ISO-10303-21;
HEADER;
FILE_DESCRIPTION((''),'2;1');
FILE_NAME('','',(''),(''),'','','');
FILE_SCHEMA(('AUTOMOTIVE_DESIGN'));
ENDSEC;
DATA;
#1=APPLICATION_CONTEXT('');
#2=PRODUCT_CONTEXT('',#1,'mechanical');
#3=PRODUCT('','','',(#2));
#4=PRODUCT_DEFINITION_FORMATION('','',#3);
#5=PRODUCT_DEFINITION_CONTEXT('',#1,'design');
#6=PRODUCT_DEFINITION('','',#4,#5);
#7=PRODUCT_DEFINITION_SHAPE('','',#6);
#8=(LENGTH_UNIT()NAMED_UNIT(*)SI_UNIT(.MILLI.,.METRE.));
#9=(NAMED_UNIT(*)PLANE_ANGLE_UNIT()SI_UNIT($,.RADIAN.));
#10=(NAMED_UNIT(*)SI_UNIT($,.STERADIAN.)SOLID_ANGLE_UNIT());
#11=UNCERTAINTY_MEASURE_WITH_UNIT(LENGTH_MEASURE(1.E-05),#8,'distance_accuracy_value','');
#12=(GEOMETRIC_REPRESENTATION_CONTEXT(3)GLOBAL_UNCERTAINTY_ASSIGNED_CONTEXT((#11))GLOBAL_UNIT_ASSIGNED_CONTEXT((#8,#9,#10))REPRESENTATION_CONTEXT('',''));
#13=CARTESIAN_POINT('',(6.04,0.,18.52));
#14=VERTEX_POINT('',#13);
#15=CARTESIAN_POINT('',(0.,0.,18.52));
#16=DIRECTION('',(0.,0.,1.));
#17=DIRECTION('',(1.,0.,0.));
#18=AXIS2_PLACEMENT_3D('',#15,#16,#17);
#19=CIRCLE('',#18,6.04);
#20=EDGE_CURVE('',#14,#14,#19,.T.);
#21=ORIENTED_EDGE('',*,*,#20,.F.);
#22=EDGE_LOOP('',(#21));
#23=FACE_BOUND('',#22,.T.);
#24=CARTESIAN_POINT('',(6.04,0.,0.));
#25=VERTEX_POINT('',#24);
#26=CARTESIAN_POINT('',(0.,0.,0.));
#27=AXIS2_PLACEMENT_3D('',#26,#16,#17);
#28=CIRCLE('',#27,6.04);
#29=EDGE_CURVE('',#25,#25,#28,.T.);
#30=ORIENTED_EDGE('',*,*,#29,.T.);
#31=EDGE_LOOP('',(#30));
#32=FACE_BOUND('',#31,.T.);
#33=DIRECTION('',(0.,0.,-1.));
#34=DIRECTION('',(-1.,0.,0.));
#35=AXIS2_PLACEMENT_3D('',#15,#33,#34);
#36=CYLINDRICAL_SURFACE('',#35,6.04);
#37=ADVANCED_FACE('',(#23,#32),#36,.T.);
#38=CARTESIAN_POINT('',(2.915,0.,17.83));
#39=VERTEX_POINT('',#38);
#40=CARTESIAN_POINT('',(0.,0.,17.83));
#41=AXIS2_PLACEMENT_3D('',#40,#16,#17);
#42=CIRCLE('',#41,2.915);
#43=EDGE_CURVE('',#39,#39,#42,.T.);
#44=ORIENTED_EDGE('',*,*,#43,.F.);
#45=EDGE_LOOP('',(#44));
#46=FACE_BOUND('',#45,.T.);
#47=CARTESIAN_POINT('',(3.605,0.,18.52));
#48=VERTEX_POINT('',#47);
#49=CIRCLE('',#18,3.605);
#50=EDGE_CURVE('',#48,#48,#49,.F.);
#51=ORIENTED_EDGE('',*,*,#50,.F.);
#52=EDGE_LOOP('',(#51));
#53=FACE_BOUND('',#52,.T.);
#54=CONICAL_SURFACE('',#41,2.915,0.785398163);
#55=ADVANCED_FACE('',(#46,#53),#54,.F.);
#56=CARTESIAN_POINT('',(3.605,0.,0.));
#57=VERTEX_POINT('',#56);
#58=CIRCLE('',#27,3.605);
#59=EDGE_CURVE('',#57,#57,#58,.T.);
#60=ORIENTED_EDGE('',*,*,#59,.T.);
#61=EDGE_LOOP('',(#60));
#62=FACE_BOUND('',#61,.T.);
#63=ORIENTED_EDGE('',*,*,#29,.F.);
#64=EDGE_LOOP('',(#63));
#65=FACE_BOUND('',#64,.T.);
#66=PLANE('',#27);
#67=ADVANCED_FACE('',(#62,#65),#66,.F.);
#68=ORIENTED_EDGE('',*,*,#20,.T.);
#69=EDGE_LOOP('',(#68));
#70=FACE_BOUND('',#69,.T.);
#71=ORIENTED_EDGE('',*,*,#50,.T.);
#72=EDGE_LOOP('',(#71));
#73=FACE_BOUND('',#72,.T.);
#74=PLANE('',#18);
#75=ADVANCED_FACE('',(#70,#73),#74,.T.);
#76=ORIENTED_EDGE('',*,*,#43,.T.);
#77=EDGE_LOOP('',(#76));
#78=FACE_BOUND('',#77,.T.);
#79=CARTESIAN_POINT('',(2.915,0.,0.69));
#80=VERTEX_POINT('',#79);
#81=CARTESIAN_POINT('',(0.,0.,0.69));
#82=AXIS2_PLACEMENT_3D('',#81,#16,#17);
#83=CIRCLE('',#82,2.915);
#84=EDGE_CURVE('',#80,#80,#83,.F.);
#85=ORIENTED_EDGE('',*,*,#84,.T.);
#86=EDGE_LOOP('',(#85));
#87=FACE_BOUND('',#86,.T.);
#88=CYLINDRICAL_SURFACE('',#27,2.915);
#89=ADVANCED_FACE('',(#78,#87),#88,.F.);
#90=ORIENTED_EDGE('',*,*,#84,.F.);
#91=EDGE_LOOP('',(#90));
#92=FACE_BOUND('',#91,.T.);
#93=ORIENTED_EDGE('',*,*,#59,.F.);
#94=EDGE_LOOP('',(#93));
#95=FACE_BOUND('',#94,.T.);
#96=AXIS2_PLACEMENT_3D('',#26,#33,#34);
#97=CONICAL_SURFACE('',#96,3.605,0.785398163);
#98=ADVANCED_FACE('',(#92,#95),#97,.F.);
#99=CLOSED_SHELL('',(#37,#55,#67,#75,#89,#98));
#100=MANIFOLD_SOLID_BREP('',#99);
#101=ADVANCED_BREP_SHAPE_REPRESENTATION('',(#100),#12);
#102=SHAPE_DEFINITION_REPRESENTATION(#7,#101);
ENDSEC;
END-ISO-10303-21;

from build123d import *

# Parameters (mm, degrees)
SKETCH1_R           = 6.04
BOSS_EXTRUDE1_DEPTH = 18.52
SKETCH2_R           = 2.405
CUT_EXTRUDE1_DEPTH  = 18.52
SKETCH3_R           = 2.915
CUT_EXTRUDE2_DEPTH  = 18.52
CHAMFER1_SIZE       = 0.69
CHAMFER2_SIZE       = 0.69


with BuildPart() as part:
    # Sketch1 → Boss-Extrude1 (new body)
    with BuildSketch(Plane.XY):
        Circle(SKETCH1_R)
    extrude(amount=BOSS_EXTRUDE1_DEPTH)

    # Sketch2 → Cut-Extrude1 (cut)
    with BuildSketch(Plane.XY.offset(18.52)):
        Circle(SKETCH2_R)
    extrude(amount=-CUT_EXTRUDE1_DEPTH, mode=Mode.SUBTRACT)

    # Sketch3 → Cut-Extrude2 (cut)
    with BuildSketch(Plane.XY.offset(18.52)):
        Circle(SKETCH3_R)
    extrude(amount=-CUT_EXTRUDE2_DEPTH, mode=Mode.SUBTRACT)

    # Chamfer1
    chamfer1_edges = [part.edges().sort_by_distance(p)[0] for p in [
        (-2.915, 0, 18.52),
    ]]
    chamfer(chamfer1_edges, length=CHAMFER1_SIZE)

    # Chamfer2
    chamfer2_edges = [part.edges().sort_by_distance(p)[0] for p in [
        (-2.915, 0, 0),
    ]]
    chamfer(chamfer2_edges, length=CHAMFER2_SIZE)


solid = part.part
